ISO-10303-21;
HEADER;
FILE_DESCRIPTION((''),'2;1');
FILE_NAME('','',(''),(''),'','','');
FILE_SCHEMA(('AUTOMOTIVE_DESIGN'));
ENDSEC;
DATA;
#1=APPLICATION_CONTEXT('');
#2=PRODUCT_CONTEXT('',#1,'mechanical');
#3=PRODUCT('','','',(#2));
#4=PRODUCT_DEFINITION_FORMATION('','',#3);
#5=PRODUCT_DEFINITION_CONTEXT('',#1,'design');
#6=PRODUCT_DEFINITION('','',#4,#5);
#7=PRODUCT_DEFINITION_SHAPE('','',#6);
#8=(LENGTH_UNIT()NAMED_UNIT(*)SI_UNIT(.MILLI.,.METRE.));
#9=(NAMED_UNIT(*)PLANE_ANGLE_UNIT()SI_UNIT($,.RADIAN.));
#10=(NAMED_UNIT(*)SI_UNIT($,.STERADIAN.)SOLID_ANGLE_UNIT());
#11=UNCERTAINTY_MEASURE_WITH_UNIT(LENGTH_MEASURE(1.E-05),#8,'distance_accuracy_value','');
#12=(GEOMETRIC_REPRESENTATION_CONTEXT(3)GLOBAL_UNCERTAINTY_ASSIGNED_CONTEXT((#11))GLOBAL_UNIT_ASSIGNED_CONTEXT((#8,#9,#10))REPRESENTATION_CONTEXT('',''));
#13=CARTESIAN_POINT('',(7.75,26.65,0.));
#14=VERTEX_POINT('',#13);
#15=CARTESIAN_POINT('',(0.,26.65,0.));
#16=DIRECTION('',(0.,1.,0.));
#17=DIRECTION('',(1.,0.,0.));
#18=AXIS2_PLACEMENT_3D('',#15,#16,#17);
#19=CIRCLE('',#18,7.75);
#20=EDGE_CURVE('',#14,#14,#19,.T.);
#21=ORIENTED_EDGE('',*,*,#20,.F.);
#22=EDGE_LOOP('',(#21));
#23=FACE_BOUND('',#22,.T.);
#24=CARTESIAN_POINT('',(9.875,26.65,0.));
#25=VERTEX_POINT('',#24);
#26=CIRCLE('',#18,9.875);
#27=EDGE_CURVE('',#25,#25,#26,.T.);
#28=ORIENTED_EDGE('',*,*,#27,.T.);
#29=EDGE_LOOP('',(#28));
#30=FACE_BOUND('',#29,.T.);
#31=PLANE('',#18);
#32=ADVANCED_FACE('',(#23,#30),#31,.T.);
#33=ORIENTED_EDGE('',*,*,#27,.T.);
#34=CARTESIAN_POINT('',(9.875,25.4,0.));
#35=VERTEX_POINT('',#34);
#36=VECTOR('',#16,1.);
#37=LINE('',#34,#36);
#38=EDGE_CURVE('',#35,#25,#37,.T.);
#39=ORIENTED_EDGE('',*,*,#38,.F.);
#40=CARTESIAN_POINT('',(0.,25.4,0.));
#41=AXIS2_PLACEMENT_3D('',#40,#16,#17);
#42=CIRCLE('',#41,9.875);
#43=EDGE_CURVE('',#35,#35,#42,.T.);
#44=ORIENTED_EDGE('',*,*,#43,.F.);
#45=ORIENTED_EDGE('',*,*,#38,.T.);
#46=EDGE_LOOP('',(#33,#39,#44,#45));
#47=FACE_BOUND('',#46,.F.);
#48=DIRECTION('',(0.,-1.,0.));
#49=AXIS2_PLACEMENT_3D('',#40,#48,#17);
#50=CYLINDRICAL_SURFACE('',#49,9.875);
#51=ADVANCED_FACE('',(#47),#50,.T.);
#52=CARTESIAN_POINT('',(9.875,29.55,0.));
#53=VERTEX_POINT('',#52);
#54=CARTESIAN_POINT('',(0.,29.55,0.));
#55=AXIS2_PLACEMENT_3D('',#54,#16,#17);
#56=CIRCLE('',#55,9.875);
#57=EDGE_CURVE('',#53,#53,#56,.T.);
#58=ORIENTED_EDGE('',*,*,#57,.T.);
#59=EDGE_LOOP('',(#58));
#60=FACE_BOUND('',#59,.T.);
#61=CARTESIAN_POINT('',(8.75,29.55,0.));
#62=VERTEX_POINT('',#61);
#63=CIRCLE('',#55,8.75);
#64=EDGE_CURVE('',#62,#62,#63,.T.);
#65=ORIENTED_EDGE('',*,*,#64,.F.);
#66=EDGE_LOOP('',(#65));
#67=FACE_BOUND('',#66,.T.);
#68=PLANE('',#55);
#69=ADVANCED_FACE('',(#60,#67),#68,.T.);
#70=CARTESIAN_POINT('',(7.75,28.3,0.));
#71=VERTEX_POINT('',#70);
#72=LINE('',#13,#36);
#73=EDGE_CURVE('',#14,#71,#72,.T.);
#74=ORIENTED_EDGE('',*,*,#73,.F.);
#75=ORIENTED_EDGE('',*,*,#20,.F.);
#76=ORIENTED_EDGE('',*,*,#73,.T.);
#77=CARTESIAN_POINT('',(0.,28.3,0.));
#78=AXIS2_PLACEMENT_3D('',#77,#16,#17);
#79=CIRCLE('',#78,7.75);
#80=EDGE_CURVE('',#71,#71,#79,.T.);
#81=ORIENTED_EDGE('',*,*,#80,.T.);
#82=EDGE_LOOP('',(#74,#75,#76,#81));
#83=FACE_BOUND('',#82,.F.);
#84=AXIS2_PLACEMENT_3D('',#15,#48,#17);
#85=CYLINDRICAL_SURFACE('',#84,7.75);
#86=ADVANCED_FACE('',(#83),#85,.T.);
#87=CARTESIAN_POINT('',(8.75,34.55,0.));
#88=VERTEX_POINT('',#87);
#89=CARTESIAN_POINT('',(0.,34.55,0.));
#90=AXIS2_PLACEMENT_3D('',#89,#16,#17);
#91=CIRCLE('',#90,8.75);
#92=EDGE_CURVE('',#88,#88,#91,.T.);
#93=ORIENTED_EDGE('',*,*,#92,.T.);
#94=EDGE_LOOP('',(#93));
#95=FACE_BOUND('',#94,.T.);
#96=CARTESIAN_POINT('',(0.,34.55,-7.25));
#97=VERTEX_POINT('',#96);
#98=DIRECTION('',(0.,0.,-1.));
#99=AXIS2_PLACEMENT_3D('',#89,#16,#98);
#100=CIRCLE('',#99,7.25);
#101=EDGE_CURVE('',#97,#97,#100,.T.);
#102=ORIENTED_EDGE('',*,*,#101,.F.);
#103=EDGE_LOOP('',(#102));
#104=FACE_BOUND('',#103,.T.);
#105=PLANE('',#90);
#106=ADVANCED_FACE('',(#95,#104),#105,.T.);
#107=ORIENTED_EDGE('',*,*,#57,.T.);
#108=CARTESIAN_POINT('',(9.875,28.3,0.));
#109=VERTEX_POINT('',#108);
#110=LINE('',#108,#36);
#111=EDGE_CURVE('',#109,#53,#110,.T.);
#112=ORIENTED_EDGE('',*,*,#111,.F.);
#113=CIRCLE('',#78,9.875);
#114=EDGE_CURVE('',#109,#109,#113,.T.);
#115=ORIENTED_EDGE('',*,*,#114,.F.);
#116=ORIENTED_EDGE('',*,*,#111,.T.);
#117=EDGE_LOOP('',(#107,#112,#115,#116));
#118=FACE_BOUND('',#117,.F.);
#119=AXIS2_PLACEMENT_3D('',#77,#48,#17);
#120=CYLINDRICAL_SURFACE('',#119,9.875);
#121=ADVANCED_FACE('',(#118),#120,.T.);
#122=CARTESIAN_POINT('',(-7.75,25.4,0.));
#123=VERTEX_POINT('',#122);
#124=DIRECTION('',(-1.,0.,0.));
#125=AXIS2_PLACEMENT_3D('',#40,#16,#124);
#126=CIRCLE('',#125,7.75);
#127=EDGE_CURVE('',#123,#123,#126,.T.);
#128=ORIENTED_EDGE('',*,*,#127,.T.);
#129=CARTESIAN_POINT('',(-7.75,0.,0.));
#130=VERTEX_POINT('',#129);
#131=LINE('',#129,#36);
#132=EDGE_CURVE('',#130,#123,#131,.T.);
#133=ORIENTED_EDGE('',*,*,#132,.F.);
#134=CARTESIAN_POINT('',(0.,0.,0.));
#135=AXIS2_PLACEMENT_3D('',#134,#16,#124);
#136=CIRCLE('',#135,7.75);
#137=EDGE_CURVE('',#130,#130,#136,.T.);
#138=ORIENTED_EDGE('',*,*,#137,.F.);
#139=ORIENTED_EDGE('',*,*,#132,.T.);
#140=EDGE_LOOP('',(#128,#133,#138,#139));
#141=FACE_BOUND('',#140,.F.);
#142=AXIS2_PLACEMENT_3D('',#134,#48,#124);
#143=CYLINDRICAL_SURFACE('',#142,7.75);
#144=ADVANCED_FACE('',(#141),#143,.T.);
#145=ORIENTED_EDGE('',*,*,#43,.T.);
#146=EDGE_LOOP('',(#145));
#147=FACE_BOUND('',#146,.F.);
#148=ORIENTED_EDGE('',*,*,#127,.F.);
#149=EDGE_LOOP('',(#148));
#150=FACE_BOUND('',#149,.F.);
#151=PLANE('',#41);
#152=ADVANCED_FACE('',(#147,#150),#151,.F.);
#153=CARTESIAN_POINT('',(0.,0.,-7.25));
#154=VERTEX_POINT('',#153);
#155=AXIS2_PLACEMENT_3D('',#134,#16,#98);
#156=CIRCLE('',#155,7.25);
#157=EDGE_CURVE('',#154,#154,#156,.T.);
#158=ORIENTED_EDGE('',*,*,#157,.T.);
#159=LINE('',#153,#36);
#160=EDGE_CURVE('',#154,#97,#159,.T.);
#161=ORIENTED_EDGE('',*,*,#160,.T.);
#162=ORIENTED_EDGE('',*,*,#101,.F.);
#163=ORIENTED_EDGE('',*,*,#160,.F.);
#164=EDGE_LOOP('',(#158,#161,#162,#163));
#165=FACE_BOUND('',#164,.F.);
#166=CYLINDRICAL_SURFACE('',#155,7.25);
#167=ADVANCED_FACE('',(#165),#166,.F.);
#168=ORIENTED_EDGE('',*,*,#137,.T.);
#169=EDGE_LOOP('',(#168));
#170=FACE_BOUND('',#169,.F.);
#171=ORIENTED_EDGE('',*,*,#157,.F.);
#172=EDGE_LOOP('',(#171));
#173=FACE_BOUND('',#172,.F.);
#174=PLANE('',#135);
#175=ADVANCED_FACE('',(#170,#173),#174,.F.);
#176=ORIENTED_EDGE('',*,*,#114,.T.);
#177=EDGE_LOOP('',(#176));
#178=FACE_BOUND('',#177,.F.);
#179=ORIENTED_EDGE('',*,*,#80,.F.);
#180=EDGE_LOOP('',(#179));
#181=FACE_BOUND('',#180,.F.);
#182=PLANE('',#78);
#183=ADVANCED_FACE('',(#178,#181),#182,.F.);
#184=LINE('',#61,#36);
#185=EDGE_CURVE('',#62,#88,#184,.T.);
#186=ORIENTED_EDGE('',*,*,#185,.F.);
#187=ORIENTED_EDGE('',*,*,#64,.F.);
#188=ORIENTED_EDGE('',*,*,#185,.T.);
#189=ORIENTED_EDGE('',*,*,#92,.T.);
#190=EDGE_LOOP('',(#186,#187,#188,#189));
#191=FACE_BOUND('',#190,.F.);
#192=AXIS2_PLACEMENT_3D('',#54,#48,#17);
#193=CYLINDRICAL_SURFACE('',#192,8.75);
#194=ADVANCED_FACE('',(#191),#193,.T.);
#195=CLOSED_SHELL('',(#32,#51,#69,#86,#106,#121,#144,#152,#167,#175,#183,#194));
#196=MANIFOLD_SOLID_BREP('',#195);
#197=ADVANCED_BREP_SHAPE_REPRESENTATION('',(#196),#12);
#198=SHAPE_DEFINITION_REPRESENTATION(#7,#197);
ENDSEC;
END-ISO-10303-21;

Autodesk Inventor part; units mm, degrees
ref_plane "YZ Plane" through (0, 0, 0) normal (1, 0, 0) x (0, 1, 0)
ref_plane "XZ Plane" through (0, 0, 0) normal (0, 1, 0) x (-1, 0, 0)
ref_plane "XY Plane" through (0, 0, 0) normal (0, 0, 1) x (1, 0, 0)
sketch "Sketch1" plane through (0, 0, 0) normal (0, 1, 0) x (-1, 0, 0)
  circle A0 centre (0, 0) radius 7.75
  dimension "d0" = 15.5
extrude "Extrusion1" add sketch "Sketch1" along normal blind 25.4
sketch "Sketch2" plane through (0, 25.4, 0) normal (0, 1, 0) x (1, 0, 0)
  circle A0 centre (0, 0) radius 7.75 projected
  circle A1 centre (0, 0) radius 9.875
  dimension "d3" = 19.75
extrude "Extrusion2" add sketch "Sketch2" along normal blind 1.25 contours A0 | A1
sketch "Sketch3" plane through (0, 26.65, 0) normal (0, 1, 0) x (1, 0, 0)
  circle A0 centre (0, 0) radius 9.875 projected
  circle A1 centre (0, 0) radius 7.75
  dimension "d6" = 15.5
extrude "Extrusion3" add sketch "Sketch3" along normal blind 1.65 contours A1
sketch "Sketch4" plane through (0, 28.3, 0) normal (0, 1, 0) x (1, 0, 0)
  circle A0 centre (0, 0) radius 7.75 projected
  circle A1 centre (0, 0) radius 9.875
  dimension "d9" = 19.75
extrude "Extrusion4" add sketch "Sketch4" along normal blind 1.25 contours A0 | A1
sketch "Sketch5" plane through (0, 29.55, 0) normal (0, 1, 0) x (1, 0, 0)
  circle A0 centre (0, 0) radius 9.875 projected
  circle A1 centre (0, 0) radius 8.75
  dimension "d12" = 17.5
extrude "Extrusion5" add sketch "Sketch5" along normal blind 5 contours A1
thread "Thread1" size "M18x0.75" class "6g" standard "ANSI Metric M Profile" full length
hole "Hole1" at (0, 0, 0) direction (0, 1, 0) diameter 14.5 end through all
properties part number "Plunger" material "ABS Plastic"
